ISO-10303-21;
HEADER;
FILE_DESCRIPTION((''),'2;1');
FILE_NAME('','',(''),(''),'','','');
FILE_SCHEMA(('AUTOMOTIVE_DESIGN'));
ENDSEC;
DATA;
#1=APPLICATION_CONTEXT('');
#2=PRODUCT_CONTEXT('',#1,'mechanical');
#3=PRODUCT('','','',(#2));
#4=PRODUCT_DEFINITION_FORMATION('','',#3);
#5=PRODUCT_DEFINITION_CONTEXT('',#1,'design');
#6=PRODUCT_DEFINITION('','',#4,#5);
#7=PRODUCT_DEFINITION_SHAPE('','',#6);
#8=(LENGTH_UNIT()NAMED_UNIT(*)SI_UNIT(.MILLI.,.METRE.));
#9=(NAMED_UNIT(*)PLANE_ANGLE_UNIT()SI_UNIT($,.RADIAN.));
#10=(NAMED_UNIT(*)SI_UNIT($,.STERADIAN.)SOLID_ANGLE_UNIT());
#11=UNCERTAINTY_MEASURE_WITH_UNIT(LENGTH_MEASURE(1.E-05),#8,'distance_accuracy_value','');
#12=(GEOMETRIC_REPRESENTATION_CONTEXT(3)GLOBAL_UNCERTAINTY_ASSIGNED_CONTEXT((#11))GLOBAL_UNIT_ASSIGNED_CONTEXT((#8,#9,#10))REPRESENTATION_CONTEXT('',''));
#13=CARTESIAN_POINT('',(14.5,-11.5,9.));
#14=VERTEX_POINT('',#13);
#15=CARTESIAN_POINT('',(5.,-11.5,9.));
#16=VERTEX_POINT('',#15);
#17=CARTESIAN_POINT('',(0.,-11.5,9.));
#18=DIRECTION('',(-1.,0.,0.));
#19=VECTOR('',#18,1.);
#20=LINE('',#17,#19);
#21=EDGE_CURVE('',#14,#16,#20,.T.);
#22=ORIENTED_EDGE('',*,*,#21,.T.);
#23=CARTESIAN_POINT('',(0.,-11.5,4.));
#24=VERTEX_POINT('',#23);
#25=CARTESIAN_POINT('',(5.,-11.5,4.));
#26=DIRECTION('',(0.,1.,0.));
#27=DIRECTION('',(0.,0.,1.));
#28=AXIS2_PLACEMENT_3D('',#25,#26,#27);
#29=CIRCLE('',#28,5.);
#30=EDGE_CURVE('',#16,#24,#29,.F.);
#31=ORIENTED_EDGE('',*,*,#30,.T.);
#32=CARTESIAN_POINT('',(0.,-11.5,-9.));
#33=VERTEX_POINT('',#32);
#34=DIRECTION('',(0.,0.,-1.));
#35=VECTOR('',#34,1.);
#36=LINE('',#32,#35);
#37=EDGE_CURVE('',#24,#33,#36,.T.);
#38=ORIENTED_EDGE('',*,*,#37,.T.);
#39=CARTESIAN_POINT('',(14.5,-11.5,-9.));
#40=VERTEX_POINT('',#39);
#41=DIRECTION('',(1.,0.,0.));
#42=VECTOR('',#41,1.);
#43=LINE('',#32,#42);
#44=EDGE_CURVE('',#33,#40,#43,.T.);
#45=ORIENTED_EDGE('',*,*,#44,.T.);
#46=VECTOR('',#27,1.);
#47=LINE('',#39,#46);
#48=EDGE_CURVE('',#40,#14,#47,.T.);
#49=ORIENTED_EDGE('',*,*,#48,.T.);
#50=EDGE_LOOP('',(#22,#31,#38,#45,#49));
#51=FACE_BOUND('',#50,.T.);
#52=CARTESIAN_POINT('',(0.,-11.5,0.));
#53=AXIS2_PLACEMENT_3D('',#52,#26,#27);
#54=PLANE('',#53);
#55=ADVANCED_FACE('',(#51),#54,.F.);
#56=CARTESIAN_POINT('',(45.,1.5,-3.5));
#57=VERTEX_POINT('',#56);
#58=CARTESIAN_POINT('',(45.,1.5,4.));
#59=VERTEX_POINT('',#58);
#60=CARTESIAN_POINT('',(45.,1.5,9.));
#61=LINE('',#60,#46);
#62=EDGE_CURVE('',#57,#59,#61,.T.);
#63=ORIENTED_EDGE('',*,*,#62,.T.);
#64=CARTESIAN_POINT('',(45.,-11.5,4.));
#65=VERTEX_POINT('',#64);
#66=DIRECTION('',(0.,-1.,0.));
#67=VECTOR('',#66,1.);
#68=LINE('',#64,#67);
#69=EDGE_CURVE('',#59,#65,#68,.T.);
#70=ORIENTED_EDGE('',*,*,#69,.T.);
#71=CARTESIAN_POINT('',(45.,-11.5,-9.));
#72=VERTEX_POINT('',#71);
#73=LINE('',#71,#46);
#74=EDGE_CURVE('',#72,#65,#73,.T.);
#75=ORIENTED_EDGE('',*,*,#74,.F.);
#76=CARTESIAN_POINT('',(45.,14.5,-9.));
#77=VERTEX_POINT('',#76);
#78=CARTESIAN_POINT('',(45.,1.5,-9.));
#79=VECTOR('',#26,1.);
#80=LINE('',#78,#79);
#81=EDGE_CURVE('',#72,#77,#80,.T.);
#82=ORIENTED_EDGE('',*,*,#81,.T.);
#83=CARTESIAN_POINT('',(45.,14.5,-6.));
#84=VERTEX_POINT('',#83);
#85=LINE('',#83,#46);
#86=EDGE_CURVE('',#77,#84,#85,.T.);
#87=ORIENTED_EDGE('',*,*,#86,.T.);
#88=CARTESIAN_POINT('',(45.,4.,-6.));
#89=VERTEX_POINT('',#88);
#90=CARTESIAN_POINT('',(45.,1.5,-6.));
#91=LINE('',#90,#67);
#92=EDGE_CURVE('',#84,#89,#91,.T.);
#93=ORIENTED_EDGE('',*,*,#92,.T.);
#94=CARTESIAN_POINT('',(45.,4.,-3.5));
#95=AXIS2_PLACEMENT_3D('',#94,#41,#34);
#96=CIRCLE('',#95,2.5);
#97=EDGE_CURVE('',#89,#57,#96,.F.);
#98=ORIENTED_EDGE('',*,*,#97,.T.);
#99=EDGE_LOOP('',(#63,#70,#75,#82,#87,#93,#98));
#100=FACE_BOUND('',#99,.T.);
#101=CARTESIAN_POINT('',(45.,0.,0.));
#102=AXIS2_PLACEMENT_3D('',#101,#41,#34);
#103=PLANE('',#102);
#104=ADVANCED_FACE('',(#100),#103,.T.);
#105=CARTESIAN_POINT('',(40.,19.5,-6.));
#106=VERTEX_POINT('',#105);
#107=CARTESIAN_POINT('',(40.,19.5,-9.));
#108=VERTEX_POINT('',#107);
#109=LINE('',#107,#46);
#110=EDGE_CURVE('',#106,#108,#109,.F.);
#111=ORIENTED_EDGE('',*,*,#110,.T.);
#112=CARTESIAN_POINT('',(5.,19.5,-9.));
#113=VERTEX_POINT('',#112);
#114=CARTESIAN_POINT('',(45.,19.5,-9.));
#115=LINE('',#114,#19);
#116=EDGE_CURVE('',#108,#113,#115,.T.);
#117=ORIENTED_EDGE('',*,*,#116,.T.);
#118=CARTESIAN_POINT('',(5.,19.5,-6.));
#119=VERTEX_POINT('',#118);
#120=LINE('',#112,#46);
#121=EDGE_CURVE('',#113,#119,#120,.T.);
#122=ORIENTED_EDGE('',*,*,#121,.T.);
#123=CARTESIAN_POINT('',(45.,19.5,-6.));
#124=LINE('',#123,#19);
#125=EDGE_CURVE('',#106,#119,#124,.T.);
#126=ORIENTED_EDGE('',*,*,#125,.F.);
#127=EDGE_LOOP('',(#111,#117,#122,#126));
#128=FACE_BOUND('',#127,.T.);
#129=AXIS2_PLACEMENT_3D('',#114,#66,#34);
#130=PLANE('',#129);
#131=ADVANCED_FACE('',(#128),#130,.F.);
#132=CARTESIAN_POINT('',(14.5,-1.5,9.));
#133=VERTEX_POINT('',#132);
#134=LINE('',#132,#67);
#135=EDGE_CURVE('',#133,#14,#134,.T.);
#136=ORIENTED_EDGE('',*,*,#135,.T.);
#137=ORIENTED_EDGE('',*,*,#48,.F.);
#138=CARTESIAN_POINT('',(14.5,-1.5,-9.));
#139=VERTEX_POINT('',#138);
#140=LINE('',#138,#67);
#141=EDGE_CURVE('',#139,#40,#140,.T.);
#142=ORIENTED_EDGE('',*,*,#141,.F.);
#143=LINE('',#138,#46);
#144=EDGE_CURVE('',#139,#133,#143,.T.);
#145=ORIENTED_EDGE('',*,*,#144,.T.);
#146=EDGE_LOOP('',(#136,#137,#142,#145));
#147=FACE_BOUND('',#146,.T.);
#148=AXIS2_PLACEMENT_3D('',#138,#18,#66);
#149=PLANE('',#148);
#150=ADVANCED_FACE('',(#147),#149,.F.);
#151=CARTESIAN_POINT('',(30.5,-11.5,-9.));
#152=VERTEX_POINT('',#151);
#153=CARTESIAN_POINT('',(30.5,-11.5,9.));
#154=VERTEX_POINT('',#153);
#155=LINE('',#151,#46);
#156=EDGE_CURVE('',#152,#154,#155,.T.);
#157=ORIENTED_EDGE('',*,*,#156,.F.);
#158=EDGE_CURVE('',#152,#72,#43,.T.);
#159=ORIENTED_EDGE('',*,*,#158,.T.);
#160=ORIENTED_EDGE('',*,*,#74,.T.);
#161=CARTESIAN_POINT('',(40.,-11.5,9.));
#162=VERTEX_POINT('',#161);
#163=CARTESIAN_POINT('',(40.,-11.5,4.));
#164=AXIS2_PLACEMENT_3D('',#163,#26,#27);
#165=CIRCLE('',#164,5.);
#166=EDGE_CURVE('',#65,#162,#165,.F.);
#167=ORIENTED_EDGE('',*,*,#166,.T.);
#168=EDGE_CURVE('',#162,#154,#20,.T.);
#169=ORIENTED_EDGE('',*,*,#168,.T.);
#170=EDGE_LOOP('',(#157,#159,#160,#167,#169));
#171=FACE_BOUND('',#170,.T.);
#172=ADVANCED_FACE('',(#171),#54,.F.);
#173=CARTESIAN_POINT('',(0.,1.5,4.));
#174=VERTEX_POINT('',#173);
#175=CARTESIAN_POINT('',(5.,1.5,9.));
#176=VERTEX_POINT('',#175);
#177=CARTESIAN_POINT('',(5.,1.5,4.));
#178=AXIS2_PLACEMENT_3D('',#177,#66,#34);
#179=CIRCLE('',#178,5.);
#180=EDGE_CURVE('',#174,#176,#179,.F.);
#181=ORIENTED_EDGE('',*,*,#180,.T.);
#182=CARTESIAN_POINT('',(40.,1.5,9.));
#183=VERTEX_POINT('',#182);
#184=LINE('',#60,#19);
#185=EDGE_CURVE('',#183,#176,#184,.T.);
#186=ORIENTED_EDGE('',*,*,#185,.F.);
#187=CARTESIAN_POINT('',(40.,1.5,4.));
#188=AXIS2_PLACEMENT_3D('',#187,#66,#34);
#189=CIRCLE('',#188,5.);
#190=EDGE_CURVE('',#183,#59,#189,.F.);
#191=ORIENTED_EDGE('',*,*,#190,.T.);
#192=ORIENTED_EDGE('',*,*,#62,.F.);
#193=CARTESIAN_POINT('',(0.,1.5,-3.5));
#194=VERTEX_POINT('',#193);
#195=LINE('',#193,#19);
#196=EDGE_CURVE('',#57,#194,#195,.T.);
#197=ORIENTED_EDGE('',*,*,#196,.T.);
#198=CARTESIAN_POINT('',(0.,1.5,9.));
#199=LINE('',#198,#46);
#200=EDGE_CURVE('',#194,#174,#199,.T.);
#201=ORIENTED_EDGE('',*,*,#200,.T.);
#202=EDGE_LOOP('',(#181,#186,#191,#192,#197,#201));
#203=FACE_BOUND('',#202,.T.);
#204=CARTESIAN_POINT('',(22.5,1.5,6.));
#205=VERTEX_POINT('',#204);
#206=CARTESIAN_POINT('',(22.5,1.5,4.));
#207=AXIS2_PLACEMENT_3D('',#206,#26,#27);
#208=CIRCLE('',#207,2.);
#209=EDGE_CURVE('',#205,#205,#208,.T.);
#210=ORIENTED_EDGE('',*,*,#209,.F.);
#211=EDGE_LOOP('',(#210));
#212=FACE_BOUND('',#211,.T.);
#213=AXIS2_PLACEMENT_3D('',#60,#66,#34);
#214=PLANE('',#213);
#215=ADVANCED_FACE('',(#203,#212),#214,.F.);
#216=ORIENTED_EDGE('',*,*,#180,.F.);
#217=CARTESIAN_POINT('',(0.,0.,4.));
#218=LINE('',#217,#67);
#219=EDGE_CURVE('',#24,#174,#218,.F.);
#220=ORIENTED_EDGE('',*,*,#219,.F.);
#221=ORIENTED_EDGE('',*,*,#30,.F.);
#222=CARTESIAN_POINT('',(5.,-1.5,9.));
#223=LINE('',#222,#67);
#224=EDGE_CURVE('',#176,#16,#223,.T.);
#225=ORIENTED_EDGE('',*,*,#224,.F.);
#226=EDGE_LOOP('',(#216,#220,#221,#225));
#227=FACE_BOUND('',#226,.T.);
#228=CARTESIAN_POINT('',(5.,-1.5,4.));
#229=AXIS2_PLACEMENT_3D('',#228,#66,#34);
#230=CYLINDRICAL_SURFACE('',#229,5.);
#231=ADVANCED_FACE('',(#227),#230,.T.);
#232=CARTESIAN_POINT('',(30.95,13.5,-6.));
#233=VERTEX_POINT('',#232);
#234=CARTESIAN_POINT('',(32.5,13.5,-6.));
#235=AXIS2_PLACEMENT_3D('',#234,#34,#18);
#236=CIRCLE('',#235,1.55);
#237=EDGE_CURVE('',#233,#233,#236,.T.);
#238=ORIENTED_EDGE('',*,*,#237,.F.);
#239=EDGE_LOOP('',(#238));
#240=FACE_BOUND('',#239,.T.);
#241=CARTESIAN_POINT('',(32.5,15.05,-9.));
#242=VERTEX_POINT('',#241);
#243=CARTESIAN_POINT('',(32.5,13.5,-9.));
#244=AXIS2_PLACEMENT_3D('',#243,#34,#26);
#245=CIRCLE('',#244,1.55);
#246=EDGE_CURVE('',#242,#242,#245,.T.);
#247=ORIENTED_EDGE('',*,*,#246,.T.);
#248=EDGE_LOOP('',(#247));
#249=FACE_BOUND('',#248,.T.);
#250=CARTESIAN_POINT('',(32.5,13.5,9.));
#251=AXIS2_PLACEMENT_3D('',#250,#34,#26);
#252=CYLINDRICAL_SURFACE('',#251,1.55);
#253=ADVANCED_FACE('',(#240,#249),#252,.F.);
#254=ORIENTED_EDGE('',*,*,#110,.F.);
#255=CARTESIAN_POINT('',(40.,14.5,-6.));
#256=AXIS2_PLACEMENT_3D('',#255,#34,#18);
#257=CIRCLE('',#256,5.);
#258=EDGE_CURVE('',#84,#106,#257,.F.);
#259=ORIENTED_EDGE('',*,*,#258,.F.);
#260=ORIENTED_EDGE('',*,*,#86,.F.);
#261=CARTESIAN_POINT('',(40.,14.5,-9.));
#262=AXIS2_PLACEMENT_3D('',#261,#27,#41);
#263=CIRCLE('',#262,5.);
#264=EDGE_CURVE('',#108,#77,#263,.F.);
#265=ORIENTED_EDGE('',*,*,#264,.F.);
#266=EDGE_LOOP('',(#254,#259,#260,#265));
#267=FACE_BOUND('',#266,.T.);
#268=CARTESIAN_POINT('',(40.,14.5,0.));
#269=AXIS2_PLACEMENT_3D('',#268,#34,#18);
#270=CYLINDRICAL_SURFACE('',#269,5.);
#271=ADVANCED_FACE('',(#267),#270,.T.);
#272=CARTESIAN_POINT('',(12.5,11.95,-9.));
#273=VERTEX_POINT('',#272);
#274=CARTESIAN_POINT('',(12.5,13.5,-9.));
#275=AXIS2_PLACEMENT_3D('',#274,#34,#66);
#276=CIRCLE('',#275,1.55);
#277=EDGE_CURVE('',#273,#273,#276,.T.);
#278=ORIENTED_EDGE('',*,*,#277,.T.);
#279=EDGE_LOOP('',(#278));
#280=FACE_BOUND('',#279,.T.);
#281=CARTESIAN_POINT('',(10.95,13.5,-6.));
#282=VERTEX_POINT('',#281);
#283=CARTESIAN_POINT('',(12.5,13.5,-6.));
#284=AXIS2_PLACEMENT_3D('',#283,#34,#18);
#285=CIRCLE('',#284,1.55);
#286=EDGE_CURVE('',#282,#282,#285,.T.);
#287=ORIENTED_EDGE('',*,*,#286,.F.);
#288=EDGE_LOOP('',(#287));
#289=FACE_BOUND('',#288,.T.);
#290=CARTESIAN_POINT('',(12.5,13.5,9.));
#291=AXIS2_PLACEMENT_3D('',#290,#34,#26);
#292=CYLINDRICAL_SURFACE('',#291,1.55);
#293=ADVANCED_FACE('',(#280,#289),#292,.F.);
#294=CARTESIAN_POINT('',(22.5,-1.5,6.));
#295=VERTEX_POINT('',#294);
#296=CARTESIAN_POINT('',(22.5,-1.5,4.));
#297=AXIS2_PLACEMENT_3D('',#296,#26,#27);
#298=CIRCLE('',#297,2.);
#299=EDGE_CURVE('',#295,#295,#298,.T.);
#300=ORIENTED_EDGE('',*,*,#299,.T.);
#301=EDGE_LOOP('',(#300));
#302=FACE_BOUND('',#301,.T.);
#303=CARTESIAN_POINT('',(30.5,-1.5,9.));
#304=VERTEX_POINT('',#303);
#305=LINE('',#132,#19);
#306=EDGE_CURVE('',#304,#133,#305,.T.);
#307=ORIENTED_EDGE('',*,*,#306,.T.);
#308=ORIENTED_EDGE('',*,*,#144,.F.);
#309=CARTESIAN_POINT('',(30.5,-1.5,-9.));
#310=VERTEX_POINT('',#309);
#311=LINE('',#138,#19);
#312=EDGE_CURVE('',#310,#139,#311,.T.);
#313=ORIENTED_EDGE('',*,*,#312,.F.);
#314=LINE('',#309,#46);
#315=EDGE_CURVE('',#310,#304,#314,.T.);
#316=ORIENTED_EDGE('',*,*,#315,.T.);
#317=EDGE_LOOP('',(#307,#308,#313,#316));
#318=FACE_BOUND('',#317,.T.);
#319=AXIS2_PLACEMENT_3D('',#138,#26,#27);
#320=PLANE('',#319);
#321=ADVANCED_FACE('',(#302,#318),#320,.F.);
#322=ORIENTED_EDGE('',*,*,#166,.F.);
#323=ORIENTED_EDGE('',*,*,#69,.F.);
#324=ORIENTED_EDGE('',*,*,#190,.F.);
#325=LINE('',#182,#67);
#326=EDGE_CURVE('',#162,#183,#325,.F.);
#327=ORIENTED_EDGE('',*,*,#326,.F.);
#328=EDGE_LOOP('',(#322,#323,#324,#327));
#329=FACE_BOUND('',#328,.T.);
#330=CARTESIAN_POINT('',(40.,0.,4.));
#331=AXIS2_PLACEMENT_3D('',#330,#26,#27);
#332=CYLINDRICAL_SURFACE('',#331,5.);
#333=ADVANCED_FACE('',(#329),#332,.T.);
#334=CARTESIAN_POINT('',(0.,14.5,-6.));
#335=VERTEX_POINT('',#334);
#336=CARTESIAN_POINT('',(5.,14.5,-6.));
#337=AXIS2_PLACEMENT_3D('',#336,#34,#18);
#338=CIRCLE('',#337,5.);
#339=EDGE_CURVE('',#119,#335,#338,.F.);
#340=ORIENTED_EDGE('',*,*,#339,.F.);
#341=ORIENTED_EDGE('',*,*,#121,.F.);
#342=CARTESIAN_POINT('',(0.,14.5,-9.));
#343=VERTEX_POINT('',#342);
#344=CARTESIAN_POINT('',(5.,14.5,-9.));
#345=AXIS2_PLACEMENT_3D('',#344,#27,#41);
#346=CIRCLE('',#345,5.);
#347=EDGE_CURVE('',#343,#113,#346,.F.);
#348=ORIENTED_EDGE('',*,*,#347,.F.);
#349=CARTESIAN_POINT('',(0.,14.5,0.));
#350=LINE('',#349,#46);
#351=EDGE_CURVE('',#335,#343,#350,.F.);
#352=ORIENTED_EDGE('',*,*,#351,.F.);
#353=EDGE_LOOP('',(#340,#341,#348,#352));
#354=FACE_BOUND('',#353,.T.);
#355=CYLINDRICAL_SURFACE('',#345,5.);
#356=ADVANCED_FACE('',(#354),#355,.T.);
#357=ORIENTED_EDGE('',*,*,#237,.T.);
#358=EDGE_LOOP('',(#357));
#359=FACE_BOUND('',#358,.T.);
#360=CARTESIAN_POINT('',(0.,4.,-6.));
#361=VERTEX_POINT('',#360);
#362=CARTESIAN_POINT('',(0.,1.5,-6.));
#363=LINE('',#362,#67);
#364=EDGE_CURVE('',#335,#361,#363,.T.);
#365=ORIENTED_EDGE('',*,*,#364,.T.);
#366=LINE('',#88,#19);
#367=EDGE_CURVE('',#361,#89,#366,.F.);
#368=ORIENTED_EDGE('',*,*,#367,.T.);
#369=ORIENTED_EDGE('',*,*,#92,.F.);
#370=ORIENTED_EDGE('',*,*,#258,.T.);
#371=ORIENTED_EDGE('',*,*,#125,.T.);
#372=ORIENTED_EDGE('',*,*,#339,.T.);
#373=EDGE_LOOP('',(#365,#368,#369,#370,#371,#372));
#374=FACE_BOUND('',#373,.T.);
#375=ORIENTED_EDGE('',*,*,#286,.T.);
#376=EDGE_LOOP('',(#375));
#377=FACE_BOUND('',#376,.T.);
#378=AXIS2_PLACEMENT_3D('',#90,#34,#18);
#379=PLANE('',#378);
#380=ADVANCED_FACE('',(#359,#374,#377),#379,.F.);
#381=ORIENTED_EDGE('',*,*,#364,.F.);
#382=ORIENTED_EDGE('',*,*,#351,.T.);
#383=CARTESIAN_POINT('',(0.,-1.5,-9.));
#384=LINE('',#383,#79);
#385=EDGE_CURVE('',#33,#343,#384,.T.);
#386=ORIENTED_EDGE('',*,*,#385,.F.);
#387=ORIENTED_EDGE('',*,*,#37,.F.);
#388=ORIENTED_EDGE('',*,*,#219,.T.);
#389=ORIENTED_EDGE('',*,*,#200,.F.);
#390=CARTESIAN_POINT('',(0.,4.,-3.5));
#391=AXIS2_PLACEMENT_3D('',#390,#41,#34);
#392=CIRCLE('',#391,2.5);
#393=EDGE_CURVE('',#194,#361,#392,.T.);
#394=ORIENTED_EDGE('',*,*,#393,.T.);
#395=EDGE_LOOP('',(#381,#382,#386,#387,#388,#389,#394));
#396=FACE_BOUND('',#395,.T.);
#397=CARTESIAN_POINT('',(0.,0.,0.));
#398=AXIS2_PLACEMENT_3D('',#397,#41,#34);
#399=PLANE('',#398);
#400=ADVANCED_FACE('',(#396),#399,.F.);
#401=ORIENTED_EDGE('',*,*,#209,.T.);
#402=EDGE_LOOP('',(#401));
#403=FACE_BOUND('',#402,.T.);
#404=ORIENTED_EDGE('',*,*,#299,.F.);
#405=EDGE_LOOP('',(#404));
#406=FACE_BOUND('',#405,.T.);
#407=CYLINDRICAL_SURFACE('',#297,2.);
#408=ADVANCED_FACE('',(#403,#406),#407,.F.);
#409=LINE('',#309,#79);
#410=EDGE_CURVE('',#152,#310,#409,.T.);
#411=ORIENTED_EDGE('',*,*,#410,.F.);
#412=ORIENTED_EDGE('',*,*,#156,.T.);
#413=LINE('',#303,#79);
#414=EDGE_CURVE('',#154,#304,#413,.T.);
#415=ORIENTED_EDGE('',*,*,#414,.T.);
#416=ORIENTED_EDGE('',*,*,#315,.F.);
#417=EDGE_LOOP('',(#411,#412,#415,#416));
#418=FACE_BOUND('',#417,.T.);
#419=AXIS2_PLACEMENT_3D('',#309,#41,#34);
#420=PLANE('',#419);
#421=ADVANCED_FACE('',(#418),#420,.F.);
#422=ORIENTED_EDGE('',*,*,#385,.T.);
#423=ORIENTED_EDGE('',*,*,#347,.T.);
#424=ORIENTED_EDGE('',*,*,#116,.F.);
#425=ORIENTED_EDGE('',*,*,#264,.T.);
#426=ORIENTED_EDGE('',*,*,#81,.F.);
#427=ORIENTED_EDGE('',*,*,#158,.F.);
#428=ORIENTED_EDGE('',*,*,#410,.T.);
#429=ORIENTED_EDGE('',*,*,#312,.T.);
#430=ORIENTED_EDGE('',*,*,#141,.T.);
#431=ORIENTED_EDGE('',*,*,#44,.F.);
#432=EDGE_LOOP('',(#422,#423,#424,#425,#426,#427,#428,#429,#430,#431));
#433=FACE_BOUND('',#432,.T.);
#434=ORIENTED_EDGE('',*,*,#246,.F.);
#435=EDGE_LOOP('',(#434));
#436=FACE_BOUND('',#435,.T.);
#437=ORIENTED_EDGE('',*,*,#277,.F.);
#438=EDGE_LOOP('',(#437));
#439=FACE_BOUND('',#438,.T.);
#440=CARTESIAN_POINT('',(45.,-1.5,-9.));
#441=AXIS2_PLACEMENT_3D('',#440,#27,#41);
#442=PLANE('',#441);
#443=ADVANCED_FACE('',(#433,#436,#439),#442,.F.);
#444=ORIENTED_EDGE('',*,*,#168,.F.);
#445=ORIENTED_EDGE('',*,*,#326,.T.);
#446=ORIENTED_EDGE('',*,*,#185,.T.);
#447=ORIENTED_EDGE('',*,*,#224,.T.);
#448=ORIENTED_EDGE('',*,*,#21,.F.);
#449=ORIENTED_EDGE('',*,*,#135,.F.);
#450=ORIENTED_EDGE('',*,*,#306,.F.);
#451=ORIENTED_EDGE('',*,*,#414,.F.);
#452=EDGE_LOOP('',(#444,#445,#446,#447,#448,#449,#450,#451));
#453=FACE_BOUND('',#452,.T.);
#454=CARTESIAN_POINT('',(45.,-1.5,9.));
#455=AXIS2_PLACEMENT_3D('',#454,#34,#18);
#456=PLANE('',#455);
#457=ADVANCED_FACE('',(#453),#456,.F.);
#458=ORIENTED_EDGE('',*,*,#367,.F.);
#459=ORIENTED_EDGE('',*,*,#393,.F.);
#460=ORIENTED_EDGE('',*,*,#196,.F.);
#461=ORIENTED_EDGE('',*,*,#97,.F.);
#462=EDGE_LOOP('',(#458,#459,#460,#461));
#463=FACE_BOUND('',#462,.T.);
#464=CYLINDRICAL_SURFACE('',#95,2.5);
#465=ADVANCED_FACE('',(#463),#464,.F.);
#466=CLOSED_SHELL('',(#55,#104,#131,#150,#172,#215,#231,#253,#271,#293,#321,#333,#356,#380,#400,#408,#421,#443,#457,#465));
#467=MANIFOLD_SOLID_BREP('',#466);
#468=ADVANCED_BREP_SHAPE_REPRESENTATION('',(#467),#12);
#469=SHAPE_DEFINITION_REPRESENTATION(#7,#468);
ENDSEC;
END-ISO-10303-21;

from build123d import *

# Parameters (mm, degrees)
SALIENTE_EXTRUIR1_DEPTH = 45
REDONDEO1_R             = 2.5
CROQUIS2_R              = 2
CORTAR_EXTRUIR1_DEPTH   = 50.295030175
CROQUIS3_R              = 1.55
CORTAR_EXTRUIR2_DEPTH   = 53.242224302
CROQUIS4_W              = 45
CROQUIS4_H              = 18
SALIENTE_EXTRUIR2_DEPTH = 10
REDONDEO3_R             = 5
CROQUIS5_W              = 16
CROQUIS5_H              = 10
CORTAR_EXTRUIR3_DEPTH   = 53.242224302
REDONDEO4_R             = 5


with BuildPart() as part:
    # Croquis1 → Saliente-Extruir1 (new body)
    with BuildSketch(Plane(origin=(0, 0, 0), x_dir=(0, 0, -1), z_dir=(1, 0, 0))):
        Polygon((-9, -1.5), (9, -1.5), (9, 1.5), (9, 19.5), (6, 19.5), (6, 1.5), (-9, 1.5), align=None)
    extrude(amount=SALIENTE_EXTRUIR1_DEPTH)

    # Redondeo1
    redondeo1_edges = [part.edges().sort_by_distance(p)[0] for p in [
        (22.5, 1.5, -6),
    ]]
    fillet(redondeo1_edges, radius=REDONDEO1_R)

    # Croquis2 → Cortar-Extruir1 (cut, through all)
    with BuildSketch(Plane(origin=(0, 1.5, 0), x_dir=(1, 0, 0), z_dir=(0, 1, 0))):
        with Locations(Location((22.5, -4, 0), (0, 0, 270))):
            Circle(CROQUIS2_R)
    extrude(amount=-CORTAR_EXTRUIR1_DEPTH, mode=Mode.SUBTRACT)

    # Croquis3 → Cortar-Extruir2 (cut, through all)
    with BuildSketch(Plane(origin=(0, 0, -9), x_dir=(-1, 0, 0), z_dir=(0, 0, -1))):
        with Locations(Location((-32.5, 13.5, 0), (0, 0, 90))):
            Circle(CROQUIS3_R)
        with Locations((-12.5, 13.5)):
            Circle(CROQUIS3_R)
    extrude(amount=-CORTAR_EXTRUIR2_DEPTH, mode=Mode.SUBTRACT)

    # Croquis4 → Saliente-Extruir2 (add)
    with BuildSketch(Plane.XZ.offset(1.5)):
        with Locations((22.5, 0)):
            Rectangle(CROQUIS4_W, CROQUIS4_H)
    extrude(amount=SALIENTE_EXTRUIR2_DEPTH)

    # Redondeo3
    redondeo3_edges = [part.edges().sort_by_distance(p)[0] for p in [
        (45, -5, 9),
        (0, -5, 9),
    ]]
    fillet(redondeo3_edges, radius=REDONDEO3_R)

    # Croquis5 → Cortar-Extruir3 (cut, through all)
    with BuildSketch(Plane.XY.offset(9)):
        with Locations((22.5, -6.5)):
            Rectangle(CROQUIS5_W, CROQUIS5_H)
    extrude(amount=-CORTAR_EXTRUIR3_DEPTH, mode=Mode.SUBTRACT)

    # Redondeo4
    redondeo4_edges = [part.edges().sort_by_distance(p)[0] for p in [
        (45, 19.5, -7.5),
        (0, 19.5, -7.5),
    ]]
    fillet(redondeo4_edges, radius=REDONDEO4_R)


solid = part.part
